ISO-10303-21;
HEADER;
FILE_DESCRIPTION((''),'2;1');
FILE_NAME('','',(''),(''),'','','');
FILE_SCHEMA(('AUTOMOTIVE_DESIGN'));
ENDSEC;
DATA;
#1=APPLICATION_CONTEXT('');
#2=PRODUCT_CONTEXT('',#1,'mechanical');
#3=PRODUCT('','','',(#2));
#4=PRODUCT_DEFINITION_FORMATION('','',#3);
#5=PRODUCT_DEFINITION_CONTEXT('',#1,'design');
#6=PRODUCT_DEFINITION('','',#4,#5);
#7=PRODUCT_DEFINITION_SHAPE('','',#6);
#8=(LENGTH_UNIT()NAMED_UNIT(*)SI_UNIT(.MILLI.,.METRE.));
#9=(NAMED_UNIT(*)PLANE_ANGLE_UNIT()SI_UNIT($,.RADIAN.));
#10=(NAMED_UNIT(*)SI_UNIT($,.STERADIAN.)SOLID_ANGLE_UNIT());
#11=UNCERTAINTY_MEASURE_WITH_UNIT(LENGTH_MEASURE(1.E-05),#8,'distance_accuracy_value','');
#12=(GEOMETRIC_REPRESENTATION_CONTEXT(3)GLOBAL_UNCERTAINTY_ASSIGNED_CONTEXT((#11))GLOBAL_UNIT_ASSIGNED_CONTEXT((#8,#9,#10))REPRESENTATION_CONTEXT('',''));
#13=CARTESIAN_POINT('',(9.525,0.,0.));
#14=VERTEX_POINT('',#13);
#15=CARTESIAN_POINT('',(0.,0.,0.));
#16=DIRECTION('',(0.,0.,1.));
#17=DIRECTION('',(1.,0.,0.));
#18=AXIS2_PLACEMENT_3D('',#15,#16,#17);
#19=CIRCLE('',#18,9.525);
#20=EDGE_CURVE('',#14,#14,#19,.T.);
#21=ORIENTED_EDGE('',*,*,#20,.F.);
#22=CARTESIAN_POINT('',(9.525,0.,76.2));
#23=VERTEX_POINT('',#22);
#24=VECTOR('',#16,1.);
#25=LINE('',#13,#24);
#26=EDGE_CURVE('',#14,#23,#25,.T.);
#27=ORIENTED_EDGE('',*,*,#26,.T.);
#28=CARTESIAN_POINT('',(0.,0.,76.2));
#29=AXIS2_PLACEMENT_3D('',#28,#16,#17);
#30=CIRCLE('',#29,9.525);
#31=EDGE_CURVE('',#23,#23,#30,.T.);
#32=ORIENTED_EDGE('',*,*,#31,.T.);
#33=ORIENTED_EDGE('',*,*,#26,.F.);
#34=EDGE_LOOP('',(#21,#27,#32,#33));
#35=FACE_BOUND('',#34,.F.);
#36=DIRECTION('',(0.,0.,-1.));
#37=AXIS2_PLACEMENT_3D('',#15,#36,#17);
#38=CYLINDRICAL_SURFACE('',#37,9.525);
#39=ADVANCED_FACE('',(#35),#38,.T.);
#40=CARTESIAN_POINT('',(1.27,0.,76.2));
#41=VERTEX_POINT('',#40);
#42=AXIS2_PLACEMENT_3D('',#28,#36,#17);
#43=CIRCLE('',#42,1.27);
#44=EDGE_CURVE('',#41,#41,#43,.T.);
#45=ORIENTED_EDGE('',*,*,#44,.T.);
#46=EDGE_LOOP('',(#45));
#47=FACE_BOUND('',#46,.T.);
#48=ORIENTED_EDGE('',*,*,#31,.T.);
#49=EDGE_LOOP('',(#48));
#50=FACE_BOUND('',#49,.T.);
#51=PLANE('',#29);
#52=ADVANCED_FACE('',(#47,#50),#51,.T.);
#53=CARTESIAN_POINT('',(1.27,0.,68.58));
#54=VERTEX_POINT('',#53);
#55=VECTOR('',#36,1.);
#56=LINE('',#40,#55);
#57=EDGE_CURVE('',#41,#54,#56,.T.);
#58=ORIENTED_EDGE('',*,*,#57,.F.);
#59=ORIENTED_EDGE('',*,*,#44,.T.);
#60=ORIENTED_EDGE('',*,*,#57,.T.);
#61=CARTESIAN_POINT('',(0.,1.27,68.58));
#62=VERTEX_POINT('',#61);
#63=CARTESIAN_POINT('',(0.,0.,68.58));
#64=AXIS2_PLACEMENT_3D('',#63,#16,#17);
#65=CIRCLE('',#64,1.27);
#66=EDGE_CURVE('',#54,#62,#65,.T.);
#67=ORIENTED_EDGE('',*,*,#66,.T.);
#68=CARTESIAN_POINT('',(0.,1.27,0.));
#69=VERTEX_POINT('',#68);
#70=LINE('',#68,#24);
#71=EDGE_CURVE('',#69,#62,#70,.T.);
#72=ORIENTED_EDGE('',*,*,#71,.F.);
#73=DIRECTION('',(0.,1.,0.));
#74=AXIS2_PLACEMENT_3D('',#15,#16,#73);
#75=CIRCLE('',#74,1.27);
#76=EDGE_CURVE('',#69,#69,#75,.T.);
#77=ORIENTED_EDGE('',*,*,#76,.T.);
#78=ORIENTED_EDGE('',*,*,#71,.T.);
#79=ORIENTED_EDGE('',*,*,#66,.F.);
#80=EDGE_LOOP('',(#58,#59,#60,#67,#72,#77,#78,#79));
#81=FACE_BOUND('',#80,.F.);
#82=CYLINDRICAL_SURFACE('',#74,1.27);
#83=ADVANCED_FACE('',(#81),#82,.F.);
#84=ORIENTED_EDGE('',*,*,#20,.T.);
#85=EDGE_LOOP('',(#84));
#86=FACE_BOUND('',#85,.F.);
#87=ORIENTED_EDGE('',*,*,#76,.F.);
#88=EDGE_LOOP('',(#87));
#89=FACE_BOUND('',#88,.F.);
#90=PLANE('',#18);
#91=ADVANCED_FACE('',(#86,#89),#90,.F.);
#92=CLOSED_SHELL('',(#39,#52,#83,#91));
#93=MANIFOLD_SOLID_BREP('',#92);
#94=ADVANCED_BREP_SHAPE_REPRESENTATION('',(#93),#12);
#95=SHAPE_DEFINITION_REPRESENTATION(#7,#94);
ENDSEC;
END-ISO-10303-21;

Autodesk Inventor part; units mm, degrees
ref_plane "YZ Plane" through (0, 0, 0) normal (1, 0, 0) x (0, 1, 0)
ref_plane "XZ Plane" through (0, 0, 0) normal (0, 1, 0) x (-1, 0, 0)
ref_plane "XY Plane" through (0, 0, 0) normal (0, 0, 1) x (1, 0, 0)
sketch "Sketch1" plane through (0, 0, 0) normal (0, 0, 1) x (1, 0, 0)
  circle A0 centre (0, 0) radius 9.525
  dimension "d0" = 19.05
extrude "Extrusion1" add sketch "Sketch1" along normal blind 76.2
sketch "Sketch2" plane through (0, 0, 76.2) normal (0, 0, 1) x (1, 0, 0)
  circle A0 centre (0, 0) radius 9.525 projected
  circle A1 centre (0, 0) radius 1.27
  dimension "d3" = 2.54
extrude "Extrusion2" cut sketch "Sketch2" against normal blind 7.62 contours A1
sketch "Sketch3" plane through (0, 0, 0) normal (0, 0, -1) x (-1, 0, 0)
  circle A0 centre (0, 0) radius 9.525 projected
  circle A1 centre (0, 0) radius 1.27 projected
  circle A2 centre (0, 0) radius 1.27
hole "Hole1" at (0, 0, 0) direction (0, 0, 1) diameter 2.54 end through all
properties part number "Rod"
